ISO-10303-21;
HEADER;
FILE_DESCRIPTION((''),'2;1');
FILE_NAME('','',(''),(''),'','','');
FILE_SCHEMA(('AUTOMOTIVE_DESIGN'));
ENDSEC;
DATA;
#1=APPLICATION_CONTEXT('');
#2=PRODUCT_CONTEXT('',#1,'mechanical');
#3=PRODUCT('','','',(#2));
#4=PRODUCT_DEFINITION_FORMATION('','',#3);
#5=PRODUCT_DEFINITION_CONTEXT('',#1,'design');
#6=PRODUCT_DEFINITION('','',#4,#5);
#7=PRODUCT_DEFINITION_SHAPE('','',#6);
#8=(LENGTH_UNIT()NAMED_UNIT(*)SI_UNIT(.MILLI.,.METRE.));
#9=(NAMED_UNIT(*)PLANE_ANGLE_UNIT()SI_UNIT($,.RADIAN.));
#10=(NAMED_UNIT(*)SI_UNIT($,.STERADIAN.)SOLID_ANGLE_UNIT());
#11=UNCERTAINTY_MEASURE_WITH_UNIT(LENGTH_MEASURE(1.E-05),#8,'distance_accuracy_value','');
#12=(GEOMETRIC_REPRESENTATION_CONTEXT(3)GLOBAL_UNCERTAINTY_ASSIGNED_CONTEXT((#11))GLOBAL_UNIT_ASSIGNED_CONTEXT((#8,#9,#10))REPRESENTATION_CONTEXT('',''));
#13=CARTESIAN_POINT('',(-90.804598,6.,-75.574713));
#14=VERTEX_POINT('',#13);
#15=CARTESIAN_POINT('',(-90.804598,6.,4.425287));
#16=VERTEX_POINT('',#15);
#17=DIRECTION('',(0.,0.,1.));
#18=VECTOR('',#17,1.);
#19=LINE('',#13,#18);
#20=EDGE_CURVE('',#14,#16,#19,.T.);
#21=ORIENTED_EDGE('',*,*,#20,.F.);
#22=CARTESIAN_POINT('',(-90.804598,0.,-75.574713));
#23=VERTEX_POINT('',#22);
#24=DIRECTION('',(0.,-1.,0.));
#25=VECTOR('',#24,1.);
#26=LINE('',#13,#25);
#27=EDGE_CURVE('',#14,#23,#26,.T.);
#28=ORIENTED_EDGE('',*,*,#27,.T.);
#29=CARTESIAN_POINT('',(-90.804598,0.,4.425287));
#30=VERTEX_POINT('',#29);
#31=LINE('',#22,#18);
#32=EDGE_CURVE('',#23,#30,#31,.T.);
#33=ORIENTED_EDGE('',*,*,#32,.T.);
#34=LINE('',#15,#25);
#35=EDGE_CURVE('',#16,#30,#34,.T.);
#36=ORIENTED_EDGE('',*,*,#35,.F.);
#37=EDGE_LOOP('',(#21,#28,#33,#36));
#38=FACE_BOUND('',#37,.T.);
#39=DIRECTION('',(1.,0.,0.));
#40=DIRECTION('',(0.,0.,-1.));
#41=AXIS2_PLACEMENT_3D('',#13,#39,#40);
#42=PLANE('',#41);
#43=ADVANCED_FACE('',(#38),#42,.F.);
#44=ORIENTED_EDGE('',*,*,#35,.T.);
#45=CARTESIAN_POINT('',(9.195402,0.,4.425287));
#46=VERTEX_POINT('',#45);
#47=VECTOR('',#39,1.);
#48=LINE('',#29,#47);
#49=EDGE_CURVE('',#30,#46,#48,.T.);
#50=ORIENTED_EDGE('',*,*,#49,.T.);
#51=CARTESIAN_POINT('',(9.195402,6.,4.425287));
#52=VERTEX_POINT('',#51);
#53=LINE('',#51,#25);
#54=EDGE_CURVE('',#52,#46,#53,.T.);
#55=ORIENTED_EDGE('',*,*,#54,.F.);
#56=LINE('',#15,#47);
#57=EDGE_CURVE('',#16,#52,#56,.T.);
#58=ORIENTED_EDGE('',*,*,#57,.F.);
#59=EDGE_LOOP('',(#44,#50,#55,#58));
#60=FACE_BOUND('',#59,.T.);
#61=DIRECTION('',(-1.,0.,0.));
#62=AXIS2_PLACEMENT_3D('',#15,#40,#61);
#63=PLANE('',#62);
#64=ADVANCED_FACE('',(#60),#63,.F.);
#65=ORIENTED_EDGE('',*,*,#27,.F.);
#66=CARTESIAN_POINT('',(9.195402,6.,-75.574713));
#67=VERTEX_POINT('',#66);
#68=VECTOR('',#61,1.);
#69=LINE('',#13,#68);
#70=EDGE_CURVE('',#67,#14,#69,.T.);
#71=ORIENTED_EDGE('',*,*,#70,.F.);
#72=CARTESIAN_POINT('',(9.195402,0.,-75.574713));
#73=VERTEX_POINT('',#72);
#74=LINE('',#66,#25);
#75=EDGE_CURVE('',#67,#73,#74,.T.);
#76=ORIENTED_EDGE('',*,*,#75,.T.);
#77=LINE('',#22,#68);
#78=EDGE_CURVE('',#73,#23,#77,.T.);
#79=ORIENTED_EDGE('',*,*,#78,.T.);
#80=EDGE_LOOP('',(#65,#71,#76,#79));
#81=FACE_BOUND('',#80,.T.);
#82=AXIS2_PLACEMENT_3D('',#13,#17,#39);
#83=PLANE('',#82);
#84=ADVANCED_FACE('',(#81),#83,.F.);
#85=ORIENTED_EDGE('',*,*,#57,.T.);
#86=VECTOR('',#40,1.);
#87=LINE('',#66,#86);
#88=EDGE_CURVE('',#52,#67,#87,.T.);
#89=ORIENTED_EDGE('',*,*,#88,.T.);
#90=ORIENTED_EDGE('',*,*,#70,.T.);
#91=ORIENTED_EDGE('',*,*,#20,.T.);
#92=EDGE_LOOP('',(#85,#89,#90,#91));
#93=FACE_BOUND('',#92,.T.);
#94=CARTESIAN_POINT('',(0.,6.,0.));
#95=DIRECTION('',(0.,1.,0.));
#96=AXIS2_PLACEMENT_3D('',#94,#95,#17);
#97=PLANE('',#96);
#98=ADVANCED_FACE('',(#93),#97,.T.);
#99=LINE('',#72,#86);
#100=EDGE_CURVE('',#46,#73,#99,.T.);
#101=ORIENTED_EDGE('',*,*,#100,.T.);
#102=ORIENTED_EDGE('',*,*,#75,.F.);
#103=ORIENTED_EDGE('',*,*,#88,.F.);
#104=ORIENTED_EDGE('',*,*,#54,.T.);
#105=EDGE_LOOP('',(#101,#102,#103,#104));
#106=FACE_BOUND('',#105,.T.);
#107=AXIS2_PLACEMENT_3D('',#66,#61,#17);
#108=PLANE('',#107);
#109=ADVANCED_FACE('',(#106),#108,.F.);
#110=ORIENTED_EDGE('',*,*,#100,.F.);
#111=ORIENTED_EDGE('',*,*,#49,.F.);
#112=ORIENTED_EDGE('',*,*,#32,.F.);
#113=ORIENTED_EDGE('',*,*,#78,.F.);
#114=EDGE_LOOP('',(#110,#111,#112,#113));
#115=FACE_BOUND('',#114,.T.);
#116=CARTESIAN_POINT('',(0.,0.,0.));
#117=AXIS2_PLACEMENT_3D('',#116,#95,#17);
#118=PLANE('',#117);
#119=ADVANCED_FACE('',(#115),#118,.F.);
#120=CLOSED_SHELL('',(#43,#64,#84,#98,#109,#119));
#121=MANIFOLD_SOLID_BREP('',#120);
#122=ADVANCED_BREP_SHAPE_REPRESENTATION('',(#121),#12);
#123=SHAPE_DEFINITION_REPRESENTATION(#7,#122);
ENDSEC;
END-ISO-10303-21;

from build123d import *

# Parameters (mm, degrees)
SKETCH1_W           = 100
SKETCH1_H           = 80
BOSS_EXTRUDE1_DEPTH = 6


with BuildPart() as part:
    # Sketch1 → Boss-Extrude1 (new body)
    with BuildSketch(Plane(origin=(0, 0, 0), x_dir=(1, 0, 0), z_dir=(0, 1, 0))):
        with Locations((-40.804597701, 35.574712644)):
            Rectangle(SKETCH1_W, SKETCH1_H)
    extrude(amount=BOSS_EXTRUDE1_DEPTH)


solid = part.part
